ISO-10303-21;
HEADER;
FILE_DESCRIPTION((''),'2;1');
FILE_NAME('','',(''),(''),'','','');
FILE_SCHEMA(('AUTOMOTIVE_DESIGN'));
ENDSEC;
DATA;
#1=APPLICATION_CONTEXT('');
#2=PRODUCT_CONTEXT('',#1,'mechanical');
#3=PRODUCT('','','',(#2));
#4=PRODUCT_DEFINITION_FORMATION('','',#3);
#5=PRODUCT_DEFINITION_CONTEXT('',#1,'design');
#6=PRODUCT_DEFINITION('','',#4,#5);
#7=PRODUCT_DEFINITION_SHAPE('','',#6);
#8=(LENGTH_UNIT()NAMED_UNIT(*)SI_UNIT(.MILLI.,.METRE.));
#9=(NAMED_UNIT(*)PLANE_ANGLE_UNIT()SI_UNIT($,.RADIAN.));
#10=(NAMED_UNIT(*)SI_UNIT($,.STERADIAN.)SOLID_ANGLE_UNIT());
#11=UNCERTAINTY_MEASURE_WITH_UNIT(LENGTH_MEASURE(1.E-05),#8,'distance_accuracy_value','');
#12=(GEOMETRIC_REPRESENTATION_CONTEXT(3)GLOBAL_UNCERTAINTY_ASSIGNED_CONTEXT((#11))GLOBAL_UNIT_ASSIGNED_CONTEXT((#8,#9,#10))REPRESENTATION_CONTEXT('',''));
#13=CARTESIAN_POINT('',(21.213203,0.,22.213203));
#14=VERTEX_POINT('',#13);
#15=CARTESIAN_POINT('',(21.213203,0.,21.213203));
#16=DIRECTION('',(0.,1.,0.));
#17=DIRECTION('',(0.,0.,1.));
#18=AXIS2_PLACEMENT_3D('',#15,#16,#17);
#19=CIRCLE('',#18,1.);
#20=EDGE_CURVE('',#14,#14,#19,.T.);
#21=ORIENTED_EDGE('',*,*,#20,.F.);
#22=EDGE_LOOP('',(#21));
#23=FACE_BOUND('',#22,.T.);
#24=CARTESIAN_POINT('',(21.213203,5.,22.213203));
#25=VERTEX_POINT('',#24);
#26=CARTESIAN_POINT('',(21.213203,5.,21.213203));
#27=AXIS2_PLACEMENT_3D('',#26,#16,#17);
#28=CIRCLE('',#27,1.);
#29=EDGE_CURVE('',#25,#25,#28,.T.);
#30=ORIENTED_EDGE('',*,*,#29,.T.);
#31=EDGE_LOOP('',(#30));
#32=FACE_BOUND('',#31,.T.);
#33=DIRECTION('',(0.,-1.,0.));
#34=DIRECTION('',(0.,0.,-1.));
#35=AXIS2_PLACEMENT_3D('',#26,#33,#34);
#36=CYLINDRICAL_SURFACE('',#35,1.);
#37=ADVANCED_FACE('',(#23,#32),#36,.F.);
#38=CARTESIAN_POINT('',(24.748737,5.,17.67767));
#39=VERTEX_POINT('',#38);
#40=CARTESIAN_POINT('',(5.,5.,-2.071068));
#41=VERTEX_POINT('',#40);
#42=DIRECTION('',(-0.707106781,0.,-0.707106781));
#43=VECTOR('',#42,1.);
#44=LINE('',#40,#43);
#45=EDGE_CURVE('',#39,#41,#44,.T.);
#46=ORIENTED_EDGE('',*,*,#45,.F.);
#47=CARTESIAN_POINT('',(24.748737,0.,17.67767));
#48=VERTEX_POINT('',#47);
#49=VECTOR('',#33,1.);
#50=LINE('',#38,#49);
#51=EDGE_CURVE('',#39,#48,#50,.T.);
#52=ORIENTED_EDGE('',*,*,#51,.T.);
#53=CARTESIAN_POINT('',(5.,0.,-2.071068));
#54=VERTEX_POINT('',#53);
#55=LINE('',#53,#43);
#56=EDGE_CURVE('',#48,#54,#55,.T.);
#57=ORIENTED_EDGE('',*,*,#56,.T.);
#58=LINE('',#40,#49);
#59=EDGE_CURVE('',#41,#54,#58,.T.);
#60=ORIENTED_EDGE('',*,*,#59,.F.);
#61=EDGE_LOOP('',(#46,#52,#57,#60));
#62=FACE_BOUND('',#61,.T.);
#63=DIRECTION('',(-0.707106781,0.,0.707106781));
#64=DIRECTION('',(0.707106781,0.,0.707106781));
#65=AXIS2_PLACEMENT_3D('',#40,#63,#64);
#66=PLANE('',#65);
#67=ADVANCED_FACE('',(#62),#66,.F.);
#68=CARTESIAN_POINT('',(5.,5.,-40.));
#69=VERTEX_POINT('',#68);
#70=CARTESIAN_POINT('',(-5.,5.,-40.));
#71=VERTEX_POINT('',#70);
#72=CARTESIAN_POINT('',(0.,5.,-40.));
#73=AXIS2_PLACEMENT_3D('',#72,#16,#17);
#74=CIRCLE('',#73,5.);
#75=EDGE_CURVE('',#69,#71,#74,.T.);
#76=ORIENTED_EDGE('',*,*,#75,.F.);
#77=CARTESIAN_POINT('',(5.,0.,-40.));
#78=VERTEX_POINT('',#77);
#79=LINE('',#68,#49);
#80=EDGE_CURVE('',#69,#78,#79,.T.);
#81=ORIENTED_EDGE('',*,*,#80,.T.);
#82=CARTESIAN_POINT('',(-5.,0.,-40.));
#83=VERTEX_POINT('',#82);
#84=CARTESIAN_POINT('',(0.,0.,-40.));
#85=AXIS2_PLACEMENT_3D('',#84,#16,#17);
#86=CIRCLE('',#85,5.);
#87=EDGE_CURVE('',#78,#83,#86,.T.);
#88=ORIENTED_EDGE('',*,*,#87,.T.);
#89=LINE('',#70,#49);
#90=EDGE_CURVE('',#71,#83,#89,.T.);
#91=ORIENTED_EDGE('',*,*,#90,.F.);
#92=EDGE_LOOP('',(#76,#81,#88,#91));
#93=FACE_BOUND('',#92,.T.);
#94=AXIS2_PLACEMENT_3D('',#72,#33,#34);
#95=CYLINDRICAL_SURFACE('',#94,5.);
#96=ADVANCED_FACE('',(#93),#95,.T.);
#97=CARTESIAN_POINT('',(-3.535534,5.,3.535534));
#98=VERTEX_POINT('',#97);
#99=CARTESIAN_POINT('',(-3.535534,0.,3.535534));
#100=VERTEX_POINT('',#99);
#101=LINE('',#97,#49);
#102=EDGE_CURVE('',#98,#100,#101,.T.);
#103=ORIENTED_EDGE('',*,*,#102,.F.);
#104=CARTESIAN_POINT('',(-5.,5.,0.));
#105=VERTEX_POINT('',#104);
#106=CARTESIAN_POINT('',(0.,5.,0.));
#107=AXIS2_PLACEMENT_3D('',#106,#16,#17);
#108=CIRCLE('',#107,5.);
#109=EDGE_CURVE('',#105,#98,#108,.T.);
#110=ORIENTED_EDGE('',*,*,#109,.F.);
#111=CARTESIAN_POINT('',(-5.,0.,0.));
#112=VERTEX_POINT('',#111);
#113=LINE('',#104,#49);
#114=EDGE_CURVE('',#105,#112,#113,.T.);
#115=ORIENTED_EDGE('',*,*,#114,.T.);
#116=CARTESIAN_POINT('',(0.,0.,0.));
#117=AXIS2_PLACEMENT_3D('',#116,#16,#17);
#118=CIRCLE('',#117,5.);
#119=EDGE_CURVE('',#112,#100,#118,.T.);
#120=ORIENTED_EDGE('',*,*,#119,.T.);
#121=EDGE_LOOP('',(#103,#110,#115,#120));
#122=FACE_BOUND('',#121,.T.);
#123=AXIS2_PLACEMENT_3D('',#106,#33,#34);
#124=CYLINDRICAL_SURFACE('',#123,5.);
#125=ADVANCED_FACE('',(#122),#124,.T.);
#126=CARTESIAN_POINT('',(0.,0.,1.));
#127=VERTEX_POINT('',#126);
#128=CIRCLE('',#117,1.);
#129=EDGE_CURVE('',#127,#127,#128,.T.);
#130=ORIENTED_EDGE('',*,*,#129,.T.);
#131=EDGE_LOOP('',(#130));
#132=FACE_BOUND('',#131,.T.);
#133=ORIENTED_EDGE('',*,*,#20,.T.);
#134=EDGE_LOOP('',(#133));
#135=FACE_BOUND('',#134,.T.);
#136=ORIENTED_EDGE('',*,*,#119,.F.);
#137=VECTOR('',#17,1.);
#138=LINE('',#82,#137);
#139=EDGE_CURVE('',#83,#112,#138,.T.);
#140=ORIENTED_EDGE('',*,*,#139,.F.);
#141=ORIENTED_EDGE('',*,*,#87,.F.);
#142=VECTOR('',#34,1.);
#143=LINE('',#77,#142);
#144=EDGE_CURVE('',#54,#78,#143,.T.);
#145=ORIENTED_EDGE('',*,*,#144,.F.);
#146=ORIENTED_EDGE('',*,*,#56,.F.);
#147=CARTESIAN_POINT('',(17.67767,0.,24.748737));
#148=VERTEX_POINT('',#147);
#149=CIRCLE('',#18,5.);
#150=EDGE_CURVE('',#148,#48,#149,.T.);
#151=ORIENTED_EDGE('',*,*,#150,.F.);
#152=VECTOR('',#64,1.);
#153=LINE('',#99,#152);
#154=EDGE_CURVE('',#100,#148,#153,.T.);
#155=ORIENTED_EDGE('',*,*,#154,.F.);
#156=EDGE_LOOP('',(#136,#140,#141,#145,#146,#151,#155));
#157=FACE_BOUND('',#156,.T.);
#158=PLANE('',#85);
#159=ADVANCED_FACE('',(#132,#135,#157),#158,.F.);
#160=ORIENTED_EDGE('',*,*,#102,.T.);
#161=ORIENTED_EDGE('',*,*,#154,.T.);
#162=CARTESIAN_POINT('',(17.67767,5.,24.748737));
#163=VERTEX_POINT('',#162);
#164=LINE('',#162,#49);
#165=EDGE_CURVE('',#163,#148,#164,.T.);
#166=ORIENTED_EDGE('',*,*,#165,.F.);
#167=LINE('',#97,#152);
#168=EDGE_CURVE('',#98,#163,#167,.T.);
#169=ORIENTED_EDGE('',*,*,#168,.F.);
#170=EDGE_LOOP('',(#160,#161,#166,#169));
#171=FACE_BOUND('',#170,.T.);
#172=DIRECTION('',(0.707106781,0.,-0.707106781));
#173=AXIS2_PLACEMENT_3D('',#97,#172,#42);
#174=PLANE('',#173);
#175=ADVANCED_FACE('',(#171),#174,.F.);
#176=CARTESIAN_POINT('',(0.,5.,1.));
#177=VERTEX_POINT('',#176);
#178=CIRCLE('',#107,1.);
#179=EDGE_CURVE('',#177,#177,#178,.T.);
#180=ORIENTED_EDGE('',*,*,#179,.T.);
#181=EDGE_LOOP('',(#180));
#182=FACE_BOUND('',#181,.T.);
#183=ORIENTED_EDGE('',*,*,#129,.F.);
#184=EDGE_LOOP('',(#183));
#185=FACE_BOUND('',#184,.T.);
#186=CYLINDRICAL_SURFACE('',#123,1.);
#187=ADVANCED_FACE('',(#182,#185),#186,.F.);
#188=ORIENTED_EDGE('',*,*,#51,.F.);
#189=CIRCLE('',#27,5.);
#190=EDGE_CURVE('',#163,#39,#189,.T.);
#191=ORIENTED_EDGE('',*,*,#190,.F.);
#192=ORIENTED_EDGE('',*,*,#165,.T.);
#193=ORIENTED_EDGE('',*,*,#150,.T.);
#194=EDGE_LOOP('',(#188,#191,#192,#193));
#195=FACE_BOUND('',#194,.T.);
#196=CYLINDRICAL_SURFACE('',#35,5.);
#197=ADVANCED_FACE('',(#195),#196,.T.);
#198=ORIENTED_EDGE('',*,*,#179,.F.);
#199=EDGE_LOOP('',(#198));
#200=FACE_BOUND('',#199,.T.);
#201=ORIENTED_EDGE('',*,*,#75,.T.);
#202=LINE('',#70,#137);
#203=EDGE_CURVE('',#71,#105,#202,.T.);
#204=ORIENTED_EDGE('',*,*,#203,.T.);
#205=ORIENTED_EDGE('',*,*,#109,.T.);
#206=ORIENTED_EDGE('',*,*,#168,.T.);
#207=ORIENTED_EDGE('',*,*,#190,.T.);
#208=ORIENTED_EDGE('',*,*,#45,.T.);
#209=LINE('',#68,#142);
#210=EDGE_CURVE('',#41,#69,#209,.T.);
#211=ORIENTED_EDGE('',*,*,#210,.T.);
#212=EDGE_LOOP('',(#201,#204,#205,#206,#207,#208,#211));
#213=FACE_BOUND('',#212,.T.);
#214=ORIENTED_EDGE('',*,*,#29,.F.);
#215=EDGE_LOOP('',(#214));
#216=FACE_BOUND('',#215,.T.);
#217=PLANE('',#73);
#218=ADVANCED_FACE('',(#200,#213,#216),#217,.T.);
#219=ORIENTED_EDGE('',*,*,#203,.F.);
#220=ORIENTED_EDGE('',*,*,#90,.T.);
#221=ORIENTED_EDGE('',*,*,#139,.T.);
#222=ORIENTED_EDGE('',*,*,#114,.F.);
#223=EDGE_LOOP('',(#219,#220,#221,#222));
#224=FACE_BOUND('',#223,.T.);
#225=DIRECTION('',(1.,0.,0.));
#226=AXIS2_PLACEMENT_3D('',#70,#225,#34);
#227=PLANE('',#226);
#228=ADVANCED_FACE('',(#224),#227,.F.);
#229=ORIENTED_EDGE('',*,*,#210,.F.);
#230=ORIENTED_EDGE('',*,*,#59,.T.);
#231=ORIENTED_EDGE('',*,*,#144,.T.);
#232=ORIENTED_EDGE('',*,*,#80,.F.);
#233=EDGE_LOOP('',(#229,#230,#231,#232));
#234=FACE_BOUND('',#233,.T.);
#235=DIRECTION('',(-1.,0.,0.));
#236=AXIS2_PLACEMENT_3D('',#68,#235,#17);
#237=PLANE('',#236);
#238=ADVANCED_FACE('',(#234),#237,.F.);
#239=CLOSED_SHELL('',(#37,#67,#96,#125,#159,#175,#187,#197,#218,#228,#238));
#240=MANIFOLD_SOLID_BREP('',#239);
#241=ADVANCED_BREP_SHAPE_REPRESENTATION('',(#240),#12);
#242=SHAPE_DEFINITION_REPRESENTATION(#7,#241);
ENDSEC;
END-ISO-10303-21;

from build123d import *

# Parameters (mm, degrees)
SKETCH3_R           = 1
BOSS_EXTRUDE2_DEPTH = 5


with BuildPart() as part:
    # Sketch3 → Boss-Extrude2 (new body)
    with BuildSketch(Plane(origin=(0, 0, 0), x_dir=(1, 0, 0), z_dir=(0, 1, 0))):
        with BuildLine():
            Line((-5, 40), (-5, 0))
            ThreePointArc((-5, 0), (-4.619397663, -1.913417162), (-3.535533906, -3.535533906))
            Line((-3.535533906, -3.535533906), (17.67766953, -24.748737342))
            ThreePointArc((17.67766953, -24.748737342), (24.748737342, -24.748737342), (24.748737342, -17.67766953))
            Line((24.748737342, -17.67766953), (5, 2.071067812))
            Line((5, 2.071067812), (5, 40))
            ThreePointArc((5, 40), (0, 45), (-5, 40))
        make_face()
        with Locations(Location((0, 0, 0), (0, 0, 270))):
            Circle(SKETCH3_R, mode=Mode.SUBTRACT)
        with Locations(Location((21.213203436, -21.213203436, 0), (0, 0, 270))):
            Circle(SKETCH3_R, mode=Mode.SUBTRACT)
    extrude(amount=BOSS_EXTRUDE2_DEPTH)


solid = part.part
